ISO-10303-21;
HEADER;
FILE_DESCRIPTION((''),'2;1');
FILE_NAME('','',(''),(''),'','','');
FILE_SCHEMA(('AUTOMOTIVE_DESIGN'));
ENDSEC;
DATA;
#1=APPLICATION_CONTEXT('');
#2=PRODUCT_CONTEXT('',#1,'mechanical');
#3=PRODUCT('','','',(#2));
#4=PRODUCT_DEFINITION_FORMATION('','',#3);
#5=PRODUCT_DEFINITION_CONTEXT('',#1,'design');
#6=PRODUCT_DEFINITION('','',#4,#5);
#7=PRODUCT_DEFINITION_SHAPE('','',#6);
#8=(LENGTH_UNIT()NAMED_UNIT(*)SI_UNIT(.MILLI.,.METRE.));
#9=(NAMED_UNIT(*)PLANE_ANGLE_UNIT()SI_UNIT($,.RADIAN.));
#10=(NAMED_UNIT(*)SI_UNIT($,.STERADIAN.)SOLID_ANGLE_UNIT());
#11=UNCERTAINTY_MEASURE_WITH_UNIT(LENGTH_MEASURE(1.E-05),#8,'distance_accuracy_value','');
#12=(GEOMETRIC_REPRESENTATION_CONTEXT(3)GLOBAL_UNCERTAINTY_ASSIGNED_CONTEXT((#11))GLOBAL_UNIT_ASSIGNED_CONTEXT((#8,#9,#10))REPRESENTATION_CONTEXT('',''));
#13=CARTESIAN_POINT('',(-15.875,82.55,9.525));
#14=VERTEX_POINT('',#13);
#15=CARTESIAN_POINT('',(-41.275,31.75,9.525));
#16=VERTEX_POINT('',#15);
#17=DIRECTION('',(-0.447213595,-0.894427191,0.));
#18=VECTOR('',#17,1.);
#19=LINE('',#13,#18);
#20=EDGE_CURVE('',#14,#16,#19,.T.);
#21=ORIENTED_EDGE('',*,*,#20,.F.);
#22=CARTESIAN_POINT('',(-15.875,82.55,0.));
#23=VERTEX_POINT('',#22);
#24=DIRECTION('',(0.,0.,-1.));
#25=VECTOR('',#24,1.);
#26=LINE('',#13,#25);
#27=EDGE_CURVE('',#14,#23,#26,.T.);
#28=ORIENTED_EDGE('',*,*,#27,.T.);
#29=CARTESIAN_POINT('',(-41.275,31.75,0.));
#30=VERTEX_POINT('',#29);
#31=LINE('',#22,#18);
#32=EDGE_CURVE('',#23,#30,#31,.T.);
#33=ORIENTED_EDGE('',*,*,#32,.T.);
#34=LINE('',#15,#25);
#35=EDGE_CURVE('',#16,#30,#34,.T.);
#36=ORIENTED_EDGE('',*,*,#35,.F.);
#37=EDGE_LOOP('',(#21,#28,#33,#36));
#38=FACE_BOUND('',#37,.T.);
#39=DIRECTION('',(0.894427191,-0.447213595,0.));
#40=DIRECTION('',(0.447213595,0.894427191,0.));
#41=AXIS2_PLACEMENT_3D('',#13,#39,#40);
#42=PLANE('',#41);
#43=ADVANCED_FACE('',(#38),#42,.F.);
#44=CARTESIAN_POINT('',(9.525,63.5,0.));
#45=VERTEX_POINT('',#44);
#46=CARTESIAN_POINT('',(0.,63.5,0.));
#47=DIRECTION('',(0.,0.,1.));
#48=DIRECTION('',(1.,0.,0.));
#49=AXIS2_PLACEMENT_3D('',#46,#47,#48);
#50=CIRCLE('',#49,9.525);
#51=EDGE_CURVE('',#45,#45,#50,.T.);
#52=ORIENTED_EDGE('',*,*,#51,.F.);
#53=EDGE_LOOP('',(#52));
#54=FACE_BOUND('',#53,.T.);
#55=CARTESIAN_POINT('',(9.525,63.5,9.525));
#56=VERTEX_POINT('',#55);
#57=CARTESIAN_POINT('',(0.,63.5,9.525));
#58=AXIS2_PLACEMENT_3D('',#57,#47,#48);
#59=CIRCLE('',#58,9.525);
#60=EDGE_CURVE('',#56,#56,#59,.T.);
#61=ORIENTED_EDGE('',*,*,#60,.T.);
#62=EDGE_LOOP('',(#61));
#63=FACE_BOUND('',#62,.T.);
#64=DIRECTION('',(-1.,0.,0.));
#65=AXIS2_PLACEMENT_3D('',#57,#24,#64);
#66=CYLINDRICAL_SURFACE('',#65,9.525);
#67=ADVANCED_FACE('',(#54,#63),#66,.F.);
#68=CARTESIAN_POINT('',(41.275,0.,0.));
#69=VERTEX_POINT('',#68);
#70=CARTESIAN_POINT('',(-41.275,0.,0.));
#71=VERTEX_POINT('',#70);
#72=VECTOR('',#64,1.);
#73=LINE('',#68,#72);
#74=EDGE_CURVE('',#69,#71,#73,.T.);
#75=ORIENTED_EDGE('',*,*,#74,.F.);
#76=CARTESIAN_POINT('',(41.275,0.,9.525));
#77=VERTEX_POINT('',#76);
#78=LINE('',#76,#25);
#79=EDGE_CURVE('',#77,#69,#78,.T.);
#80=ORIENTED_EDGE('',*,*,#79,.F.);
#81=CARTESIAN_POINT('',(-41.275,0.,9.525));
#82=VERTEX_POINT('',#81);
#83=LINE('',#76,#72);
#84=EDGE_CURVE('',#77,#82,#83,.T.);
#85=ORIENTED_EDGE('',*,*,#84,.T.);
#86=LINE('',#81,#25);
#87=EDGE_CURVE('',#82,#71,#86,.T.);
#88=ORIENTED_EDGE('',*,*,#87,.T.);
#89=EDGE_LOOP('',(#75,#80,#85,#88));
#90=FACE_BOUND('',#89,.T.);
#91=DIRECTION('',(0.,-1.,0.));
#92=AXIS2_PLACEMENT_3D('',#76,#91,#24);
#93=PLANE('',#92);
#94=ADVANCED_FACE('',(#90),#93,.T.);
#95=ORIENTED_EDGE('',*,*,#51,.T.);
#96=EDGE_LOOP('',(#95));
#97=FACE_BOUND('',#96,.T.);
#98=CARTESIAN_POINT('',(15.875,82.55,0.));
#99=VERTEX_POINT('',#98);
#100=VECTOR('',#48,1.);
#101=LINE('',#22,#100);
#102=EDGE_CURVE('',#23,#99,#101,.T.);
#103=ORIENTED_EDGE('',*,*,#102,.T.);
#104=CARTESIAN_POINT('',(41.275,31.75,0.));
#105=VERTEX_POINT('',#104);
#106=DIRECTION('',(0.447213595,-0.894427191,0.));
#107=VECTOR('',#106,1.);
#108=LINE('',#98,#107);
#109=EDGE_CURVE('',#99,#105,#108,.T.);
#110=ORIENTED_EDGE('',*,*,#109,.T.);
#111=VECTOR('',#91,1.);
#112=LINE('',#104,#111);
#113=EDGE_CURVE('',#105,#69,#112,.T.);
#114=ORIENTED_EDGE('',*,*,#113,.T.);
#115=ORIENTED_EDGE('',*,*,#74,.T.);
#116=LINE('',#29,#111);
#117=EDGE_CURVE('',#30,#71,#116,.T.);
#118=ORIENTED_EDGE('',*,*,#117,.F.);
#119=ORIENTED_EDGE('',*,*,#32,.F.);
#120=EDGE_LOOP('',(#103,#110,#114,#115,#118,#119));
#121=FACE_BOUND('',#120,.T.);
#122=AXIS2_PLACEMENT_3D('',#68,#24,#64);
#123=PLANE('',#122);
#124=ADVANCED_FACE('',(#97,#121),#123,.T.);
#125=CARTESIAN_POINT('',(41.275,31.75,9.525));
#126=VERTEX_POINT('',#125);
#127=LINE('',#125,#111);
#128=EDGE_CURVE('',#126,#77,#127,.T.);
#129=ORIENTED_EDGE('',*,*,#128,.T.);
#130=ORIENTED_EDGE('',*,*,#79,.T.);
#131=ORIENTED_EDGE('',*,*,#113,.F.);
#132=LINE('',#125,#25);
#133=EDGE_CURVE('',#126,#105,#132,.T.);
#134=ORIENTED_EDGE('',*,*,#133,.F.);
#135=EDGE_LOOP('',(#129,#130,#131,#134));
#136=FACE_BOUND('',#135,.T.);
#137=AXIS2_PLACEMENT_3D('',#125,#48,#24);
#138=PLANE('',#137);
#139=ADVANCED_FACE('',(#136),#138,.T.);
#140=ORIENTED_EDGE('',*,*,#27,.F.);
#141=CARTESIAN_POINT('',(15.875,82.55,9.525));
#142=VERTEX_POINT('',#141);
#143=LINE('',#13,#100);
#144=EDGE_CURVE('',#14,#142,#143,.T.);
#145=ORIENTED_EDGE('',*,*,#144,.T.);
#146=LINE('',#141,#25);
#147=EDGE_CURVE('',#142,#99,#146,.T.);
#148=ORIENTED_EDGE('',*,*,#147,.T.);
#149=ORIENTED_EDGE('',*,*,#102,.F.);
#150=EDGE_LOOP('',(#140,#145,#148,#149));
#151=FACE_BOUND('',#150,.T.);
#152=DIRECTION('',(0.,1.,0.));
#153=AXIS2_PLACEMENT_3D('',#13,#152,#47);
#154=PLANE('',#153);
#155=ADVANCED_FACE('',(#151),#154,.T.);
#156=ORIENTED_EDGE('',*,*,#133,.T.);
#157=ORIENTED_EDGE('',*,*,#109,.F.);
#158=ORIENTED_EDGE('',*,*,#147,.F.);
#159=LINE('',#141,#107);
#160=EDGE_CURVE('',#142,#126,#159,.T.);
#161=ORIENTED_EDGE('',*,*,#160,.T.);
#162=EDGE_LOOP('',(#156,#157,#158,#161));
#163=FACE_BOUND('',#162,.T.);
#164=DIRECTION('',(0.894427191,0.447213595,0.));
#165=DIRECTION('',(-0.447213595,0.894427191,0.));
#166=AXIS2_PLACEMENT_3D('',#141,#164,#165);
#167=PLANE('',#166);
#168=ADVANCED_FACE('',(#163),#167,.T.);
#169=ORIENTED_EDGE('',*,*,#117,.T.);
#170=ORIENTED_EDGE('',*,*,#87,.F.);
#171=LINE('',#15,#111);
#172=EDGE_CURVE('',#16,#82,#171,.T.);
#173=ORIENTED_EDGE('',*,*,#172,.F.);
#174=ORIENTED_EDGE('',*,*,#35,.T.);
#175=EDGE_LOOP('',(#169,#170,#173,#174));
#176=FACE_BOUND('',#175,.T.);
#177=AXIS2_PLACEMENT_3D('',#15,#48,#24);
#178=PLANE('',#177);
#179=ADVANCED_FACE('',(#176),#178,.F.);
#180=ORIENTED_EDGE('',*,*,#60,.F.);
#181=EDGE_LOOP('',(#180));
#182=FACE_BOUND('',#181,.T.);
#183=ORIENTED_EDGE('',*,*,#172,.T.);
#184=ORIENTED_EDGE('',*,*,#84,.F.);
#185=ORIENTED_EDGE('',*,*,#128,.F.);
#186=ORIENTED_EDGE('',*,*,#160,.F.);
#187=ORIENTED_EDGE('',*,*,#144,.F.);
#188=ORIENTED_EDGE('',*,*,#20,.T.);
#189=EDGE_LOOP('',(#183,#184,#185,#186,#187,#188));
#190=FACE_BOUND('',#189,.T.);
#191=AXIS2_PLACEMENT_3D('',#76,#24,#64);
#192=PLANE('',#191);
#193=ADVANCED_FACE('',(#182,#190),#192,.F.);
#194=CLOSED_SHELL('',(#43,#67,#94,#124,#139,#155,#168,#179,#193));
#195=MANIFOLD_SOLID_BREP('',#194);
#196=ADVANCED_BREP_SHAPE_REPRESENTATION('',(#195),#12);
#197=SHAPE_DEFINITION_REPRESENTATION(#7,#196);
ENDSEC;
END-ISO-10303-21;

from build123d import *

# Parameters (mm, degrees)
SKETCH1_R          = 9.525
BASE_EXTRUDE_DEPTH = 9.525


with BuildPart() as part:
    # Sketch1 → Base-Extrude (new body)
    with BuildSketch(Plane.XY):
        Polygon((-15.875, 82.55), (15.875, 82.55), (41.275, 31.75), (41.275, 0), (-41.275, 0), (-41.275, 31.75), align=None)
        with Locations((0, 63.5)):
            Circle(SKETCH1_R, mode=Mode.SUBTRACT)
    extrude(amount=BASE_EXTRUDE_DEPTH)


solid = part.part
